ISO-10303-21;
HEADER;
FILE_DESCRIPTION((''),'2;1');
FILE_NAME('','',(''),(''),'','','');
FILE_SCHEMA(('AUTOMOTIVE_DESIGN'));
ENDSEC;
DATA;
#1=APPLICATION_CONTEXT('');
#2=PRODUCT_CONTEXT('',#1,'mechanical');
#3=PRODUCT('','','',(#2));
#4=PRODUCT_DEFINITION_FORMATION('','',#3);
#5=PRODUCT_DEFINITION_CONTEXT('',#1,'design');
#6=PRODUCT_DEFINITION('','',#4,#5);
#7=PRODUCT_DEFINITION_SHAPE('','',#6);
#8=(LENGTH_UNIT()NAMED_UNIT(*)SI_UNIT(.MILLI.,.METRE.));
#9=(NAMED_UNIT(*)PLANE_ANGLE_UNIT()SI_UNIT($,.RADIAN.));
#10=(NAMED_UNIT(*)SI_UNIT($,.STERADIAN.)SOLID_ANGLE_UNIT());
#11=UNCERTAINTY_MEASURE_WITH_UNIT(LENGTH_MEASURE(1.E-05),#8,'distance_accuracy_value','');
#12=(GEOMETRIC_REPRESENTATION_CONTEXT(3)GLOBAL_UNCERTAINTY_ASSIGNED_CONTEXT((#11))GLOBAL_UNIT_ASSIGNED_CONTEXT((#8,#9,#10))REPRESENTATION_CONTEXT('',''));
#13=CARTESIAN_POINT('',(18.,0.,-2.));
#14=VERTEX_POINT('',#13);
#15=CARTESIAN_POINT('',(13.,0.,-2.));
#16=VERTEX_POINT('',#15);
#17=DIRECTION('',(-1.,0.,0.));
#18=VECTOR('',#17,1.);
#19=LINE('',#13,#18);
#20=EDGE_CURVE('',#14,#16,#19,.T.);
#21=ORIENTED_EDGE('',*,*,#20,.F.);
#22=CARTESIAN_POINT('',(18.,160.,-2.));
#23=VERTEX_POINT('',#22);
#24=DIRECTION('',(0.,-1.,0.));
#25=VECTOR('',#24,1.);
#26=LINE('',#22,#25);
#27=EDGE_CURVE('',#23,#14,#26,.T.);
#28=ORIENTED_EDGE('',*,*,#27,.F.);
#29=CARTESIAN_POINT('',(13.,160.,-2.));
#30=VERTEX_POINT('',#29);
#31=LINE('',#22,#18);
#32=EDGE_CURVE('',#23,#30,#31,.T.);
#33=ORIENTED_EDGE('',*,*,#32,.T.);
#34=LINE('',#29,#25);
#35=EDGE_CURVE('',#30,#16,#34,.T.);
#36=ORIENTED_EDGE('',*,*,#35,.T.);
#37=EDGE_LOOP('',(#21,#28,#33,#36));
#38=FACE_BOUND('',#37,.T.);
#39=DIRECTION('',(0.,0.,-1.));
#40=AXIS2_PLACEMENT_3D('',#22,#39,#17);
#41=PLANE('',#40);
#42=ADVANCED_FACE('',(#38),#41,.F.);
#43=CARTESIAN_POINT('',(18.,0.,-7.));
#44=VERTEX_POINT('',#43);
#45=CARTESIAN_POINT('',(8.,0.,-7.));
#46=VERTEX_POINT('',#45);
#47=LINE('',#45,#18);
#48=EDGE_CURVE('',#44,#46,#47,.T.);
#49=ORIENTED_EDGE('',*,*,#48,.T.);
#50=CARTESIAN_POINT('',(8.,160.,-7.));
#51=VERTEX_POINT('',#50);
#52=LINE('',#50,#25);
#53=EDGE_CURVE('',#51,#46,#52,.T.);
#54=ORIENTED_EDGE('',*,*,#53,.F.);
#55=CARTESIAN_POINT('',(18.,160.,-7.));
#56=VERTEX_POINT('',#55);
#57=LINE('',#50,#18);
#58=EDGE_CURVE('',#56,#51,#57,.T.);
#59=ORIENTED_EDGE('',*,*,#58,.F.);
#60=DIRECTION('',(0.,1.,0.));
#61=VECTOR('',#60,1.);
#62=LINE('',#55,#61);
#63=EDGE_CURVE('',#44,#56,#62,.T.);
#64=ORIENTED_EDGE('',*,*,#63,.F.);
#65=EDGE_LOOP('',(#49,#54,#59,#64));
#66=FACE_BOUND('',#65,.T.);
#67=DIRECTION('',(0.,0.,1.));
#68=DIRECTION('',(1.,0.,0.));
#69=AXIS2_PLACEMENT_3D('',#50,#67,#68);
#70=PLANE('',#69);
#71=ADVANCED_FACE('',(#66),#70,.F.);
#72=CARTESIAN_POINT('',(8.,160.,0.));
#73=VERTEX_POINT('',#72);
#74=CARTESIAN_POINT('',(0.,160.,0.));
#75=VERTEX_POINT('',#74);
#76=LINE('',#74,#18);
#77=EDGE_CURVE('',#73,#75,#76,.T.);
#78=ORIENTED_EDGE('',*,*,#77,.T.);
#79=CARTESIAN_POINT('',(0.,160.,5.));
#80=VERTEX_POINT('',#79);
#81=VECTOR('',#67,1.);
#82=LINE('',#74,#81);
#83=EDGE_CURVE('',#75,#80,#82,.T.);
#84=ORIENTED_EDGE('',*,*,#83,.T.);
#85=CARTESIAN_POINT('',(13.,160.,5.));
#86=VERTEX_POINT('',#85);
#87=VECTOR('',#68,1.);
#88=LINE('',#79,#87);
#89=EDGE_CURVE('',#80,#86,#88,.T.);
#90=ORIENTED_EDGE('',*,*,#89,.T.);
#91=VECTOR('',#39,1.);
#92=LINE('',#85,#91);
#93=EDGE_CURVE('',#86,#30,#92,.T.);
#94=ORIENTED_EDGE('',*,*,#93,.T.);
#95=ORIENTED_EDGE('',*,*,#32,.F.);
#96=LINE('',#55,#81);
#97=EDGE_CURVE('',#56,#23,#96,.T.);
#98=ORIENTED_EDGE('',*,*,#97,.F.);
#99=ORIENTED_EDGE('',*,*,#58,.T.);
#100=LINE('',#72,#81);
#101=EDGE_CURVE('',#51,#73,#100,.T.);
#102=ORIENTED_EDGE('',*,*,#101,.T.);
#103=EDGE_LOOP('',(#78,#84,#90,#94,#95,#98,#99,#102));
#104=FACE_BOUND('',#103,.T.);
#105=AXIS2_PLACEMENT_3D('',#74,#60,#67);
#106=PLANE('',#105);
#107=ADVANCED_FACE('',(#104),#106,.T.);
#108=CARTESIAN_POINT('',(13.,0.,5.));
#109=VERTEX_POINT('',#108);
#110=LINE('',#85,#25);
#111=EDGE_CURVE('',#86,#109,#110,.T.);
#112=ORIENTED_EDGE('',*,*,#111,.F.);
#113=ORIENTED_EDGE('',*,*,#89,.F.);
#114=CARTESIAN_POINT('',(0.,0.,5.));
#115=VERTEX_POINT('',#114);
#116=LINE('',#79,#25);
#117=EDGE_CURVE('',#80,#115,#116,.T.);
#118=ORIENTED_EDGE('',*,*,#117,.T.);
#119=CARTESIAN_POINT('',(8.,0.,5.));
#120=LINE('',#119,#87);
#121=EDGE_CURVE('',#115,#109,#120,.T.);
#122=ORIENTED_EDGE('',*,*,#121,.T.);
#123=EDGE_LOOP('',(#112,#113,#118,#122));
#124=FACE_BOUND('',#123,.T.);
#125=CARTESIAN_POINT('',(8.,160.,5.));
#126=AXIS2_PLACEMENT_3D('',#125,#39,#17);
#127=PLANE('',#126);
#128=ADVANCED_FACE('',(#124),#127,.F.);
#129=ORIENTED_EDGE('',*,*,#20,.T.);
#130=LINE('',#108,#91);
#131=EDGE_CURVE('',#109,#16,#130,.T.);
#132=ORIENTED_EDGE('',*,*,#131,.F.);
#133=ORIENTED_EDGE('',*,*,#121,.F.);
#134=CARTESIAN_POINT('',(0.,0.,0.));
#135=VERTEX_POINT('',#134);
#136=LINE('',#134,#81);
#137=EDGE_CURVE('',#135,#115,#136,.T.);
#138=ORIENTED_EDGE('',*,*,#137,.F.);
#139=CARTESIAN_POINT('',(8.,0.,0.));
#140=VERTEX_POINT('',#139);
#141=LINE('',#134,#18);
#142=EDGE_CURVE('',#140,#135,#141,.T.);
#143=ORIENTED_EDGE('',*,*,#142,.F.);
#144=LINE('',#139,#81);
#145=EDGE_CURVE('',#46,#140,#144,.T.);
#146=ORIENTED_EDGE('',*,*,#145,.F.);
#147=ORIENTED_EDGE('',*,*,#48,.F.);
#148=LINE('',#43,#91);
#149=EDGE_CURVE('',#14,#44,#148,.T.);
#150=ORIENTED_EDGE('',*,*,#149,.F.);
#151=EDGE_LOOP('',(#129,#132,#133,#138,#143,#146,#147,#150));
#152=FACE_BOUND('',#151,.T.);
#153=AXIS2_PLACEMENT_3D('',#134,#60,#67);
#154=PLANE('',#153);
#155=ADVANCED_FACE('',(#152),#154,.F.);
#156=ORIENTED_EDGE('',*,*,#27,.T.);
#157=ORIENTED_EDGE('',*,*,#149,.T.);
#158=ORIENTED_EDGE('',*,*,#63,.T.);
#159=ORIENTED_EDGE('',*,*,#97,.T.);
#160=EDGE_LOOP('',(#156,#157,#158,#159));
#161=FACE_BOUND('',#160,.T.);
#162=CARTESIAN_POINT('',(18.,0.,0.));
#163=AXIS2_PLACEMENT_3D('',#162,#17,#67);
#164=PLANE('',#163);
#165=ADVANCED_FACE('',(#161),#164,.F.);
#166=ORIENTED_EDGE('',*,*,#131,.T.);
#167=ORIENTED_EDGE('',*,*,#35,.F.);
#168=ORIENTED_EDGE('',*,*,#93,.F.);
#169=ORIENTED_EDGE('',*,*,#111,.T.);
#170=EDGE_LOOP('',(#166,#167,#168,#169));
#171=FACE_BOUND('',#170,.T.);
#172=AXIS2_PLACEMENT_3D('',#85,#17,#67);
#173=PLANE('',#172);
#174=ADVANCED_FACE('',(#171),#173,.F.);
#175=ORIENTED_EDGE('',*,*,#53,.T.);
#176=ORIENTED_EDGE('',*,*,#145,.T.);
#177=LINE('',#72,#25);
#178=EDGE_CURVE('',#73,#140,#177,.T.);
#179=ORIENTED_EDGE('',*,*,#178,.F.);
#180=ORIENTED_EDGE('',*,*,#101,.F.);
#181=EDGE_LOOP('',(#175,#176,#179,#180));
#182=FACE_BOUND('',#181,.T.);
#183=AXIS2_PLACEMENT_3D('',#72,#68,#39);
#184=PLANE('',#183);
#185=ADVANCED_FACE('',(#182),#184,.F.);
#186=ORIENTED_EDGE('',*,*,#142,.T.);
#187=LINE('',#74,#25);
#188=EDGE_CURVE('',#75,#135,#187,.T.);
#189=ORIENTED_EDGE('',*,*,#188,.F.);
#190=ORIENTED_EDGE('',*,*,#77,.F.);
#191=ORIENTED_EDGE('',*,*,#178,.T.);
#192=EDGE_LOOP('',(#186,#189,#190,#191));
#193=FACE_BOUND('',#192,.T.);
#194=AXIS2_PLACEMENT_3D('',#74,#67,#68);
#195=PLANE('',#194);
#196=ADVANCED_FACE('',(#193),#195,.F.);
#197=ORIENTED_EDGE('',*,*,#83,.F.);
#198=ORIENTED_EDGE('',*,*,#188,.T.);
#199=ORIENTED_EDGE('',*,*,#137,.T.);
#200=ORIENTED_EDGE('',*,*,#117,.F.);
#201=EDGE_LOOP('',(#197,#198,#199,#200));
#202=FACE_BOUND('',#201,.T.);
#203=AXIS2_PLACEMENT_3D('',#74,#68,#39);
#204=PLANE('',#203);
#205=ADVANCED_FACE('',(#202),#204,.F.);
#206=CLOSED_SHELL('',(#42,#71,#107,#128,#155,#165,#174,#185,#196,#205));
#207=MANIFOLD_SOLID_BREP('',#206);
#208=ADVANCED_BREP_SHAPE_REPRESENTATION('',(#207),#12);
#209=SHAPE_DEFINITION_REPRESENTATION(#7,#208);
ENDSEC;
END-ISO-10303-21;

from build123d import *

# Parameters (mm, degrees)
BOSS_EXTRUDE1_DEPTH = 160
SKETCH2_W           = 5
SKETCH2_H           = 160
BOSS_EXTRUDE2_DEPTH = 5


with BuildPart() as part:
    # Sketch1 → Boss-Extrude1 (new body)
    with BuildSketch(Plane(origin=(0, 0, 0), x_dir=(1, 0, 0), z_dir=(0, 1, 0))):
        Polygon((0, 0), (8, 0), (8, 7), (13, 7), (13, -5), (8, -5), (0, -5), align=None)
    extrude(amount=BOSS_EXTRUDE1_DEPTH)

    # Sketch2 → Boss-Extrude2 (add)
    with BuildSketch(Plane(origin=(13, 0, 0), x_dir=(0, 0, -1), z_dir=(1, 0, 0))):
        with Locations((4.5, 80)):
            Rectangle(SKETCH2_W, SKETCH2_H)
    extrude(amount=BOSS_EXTRUDE2_DEPTH)


solid = part.part
